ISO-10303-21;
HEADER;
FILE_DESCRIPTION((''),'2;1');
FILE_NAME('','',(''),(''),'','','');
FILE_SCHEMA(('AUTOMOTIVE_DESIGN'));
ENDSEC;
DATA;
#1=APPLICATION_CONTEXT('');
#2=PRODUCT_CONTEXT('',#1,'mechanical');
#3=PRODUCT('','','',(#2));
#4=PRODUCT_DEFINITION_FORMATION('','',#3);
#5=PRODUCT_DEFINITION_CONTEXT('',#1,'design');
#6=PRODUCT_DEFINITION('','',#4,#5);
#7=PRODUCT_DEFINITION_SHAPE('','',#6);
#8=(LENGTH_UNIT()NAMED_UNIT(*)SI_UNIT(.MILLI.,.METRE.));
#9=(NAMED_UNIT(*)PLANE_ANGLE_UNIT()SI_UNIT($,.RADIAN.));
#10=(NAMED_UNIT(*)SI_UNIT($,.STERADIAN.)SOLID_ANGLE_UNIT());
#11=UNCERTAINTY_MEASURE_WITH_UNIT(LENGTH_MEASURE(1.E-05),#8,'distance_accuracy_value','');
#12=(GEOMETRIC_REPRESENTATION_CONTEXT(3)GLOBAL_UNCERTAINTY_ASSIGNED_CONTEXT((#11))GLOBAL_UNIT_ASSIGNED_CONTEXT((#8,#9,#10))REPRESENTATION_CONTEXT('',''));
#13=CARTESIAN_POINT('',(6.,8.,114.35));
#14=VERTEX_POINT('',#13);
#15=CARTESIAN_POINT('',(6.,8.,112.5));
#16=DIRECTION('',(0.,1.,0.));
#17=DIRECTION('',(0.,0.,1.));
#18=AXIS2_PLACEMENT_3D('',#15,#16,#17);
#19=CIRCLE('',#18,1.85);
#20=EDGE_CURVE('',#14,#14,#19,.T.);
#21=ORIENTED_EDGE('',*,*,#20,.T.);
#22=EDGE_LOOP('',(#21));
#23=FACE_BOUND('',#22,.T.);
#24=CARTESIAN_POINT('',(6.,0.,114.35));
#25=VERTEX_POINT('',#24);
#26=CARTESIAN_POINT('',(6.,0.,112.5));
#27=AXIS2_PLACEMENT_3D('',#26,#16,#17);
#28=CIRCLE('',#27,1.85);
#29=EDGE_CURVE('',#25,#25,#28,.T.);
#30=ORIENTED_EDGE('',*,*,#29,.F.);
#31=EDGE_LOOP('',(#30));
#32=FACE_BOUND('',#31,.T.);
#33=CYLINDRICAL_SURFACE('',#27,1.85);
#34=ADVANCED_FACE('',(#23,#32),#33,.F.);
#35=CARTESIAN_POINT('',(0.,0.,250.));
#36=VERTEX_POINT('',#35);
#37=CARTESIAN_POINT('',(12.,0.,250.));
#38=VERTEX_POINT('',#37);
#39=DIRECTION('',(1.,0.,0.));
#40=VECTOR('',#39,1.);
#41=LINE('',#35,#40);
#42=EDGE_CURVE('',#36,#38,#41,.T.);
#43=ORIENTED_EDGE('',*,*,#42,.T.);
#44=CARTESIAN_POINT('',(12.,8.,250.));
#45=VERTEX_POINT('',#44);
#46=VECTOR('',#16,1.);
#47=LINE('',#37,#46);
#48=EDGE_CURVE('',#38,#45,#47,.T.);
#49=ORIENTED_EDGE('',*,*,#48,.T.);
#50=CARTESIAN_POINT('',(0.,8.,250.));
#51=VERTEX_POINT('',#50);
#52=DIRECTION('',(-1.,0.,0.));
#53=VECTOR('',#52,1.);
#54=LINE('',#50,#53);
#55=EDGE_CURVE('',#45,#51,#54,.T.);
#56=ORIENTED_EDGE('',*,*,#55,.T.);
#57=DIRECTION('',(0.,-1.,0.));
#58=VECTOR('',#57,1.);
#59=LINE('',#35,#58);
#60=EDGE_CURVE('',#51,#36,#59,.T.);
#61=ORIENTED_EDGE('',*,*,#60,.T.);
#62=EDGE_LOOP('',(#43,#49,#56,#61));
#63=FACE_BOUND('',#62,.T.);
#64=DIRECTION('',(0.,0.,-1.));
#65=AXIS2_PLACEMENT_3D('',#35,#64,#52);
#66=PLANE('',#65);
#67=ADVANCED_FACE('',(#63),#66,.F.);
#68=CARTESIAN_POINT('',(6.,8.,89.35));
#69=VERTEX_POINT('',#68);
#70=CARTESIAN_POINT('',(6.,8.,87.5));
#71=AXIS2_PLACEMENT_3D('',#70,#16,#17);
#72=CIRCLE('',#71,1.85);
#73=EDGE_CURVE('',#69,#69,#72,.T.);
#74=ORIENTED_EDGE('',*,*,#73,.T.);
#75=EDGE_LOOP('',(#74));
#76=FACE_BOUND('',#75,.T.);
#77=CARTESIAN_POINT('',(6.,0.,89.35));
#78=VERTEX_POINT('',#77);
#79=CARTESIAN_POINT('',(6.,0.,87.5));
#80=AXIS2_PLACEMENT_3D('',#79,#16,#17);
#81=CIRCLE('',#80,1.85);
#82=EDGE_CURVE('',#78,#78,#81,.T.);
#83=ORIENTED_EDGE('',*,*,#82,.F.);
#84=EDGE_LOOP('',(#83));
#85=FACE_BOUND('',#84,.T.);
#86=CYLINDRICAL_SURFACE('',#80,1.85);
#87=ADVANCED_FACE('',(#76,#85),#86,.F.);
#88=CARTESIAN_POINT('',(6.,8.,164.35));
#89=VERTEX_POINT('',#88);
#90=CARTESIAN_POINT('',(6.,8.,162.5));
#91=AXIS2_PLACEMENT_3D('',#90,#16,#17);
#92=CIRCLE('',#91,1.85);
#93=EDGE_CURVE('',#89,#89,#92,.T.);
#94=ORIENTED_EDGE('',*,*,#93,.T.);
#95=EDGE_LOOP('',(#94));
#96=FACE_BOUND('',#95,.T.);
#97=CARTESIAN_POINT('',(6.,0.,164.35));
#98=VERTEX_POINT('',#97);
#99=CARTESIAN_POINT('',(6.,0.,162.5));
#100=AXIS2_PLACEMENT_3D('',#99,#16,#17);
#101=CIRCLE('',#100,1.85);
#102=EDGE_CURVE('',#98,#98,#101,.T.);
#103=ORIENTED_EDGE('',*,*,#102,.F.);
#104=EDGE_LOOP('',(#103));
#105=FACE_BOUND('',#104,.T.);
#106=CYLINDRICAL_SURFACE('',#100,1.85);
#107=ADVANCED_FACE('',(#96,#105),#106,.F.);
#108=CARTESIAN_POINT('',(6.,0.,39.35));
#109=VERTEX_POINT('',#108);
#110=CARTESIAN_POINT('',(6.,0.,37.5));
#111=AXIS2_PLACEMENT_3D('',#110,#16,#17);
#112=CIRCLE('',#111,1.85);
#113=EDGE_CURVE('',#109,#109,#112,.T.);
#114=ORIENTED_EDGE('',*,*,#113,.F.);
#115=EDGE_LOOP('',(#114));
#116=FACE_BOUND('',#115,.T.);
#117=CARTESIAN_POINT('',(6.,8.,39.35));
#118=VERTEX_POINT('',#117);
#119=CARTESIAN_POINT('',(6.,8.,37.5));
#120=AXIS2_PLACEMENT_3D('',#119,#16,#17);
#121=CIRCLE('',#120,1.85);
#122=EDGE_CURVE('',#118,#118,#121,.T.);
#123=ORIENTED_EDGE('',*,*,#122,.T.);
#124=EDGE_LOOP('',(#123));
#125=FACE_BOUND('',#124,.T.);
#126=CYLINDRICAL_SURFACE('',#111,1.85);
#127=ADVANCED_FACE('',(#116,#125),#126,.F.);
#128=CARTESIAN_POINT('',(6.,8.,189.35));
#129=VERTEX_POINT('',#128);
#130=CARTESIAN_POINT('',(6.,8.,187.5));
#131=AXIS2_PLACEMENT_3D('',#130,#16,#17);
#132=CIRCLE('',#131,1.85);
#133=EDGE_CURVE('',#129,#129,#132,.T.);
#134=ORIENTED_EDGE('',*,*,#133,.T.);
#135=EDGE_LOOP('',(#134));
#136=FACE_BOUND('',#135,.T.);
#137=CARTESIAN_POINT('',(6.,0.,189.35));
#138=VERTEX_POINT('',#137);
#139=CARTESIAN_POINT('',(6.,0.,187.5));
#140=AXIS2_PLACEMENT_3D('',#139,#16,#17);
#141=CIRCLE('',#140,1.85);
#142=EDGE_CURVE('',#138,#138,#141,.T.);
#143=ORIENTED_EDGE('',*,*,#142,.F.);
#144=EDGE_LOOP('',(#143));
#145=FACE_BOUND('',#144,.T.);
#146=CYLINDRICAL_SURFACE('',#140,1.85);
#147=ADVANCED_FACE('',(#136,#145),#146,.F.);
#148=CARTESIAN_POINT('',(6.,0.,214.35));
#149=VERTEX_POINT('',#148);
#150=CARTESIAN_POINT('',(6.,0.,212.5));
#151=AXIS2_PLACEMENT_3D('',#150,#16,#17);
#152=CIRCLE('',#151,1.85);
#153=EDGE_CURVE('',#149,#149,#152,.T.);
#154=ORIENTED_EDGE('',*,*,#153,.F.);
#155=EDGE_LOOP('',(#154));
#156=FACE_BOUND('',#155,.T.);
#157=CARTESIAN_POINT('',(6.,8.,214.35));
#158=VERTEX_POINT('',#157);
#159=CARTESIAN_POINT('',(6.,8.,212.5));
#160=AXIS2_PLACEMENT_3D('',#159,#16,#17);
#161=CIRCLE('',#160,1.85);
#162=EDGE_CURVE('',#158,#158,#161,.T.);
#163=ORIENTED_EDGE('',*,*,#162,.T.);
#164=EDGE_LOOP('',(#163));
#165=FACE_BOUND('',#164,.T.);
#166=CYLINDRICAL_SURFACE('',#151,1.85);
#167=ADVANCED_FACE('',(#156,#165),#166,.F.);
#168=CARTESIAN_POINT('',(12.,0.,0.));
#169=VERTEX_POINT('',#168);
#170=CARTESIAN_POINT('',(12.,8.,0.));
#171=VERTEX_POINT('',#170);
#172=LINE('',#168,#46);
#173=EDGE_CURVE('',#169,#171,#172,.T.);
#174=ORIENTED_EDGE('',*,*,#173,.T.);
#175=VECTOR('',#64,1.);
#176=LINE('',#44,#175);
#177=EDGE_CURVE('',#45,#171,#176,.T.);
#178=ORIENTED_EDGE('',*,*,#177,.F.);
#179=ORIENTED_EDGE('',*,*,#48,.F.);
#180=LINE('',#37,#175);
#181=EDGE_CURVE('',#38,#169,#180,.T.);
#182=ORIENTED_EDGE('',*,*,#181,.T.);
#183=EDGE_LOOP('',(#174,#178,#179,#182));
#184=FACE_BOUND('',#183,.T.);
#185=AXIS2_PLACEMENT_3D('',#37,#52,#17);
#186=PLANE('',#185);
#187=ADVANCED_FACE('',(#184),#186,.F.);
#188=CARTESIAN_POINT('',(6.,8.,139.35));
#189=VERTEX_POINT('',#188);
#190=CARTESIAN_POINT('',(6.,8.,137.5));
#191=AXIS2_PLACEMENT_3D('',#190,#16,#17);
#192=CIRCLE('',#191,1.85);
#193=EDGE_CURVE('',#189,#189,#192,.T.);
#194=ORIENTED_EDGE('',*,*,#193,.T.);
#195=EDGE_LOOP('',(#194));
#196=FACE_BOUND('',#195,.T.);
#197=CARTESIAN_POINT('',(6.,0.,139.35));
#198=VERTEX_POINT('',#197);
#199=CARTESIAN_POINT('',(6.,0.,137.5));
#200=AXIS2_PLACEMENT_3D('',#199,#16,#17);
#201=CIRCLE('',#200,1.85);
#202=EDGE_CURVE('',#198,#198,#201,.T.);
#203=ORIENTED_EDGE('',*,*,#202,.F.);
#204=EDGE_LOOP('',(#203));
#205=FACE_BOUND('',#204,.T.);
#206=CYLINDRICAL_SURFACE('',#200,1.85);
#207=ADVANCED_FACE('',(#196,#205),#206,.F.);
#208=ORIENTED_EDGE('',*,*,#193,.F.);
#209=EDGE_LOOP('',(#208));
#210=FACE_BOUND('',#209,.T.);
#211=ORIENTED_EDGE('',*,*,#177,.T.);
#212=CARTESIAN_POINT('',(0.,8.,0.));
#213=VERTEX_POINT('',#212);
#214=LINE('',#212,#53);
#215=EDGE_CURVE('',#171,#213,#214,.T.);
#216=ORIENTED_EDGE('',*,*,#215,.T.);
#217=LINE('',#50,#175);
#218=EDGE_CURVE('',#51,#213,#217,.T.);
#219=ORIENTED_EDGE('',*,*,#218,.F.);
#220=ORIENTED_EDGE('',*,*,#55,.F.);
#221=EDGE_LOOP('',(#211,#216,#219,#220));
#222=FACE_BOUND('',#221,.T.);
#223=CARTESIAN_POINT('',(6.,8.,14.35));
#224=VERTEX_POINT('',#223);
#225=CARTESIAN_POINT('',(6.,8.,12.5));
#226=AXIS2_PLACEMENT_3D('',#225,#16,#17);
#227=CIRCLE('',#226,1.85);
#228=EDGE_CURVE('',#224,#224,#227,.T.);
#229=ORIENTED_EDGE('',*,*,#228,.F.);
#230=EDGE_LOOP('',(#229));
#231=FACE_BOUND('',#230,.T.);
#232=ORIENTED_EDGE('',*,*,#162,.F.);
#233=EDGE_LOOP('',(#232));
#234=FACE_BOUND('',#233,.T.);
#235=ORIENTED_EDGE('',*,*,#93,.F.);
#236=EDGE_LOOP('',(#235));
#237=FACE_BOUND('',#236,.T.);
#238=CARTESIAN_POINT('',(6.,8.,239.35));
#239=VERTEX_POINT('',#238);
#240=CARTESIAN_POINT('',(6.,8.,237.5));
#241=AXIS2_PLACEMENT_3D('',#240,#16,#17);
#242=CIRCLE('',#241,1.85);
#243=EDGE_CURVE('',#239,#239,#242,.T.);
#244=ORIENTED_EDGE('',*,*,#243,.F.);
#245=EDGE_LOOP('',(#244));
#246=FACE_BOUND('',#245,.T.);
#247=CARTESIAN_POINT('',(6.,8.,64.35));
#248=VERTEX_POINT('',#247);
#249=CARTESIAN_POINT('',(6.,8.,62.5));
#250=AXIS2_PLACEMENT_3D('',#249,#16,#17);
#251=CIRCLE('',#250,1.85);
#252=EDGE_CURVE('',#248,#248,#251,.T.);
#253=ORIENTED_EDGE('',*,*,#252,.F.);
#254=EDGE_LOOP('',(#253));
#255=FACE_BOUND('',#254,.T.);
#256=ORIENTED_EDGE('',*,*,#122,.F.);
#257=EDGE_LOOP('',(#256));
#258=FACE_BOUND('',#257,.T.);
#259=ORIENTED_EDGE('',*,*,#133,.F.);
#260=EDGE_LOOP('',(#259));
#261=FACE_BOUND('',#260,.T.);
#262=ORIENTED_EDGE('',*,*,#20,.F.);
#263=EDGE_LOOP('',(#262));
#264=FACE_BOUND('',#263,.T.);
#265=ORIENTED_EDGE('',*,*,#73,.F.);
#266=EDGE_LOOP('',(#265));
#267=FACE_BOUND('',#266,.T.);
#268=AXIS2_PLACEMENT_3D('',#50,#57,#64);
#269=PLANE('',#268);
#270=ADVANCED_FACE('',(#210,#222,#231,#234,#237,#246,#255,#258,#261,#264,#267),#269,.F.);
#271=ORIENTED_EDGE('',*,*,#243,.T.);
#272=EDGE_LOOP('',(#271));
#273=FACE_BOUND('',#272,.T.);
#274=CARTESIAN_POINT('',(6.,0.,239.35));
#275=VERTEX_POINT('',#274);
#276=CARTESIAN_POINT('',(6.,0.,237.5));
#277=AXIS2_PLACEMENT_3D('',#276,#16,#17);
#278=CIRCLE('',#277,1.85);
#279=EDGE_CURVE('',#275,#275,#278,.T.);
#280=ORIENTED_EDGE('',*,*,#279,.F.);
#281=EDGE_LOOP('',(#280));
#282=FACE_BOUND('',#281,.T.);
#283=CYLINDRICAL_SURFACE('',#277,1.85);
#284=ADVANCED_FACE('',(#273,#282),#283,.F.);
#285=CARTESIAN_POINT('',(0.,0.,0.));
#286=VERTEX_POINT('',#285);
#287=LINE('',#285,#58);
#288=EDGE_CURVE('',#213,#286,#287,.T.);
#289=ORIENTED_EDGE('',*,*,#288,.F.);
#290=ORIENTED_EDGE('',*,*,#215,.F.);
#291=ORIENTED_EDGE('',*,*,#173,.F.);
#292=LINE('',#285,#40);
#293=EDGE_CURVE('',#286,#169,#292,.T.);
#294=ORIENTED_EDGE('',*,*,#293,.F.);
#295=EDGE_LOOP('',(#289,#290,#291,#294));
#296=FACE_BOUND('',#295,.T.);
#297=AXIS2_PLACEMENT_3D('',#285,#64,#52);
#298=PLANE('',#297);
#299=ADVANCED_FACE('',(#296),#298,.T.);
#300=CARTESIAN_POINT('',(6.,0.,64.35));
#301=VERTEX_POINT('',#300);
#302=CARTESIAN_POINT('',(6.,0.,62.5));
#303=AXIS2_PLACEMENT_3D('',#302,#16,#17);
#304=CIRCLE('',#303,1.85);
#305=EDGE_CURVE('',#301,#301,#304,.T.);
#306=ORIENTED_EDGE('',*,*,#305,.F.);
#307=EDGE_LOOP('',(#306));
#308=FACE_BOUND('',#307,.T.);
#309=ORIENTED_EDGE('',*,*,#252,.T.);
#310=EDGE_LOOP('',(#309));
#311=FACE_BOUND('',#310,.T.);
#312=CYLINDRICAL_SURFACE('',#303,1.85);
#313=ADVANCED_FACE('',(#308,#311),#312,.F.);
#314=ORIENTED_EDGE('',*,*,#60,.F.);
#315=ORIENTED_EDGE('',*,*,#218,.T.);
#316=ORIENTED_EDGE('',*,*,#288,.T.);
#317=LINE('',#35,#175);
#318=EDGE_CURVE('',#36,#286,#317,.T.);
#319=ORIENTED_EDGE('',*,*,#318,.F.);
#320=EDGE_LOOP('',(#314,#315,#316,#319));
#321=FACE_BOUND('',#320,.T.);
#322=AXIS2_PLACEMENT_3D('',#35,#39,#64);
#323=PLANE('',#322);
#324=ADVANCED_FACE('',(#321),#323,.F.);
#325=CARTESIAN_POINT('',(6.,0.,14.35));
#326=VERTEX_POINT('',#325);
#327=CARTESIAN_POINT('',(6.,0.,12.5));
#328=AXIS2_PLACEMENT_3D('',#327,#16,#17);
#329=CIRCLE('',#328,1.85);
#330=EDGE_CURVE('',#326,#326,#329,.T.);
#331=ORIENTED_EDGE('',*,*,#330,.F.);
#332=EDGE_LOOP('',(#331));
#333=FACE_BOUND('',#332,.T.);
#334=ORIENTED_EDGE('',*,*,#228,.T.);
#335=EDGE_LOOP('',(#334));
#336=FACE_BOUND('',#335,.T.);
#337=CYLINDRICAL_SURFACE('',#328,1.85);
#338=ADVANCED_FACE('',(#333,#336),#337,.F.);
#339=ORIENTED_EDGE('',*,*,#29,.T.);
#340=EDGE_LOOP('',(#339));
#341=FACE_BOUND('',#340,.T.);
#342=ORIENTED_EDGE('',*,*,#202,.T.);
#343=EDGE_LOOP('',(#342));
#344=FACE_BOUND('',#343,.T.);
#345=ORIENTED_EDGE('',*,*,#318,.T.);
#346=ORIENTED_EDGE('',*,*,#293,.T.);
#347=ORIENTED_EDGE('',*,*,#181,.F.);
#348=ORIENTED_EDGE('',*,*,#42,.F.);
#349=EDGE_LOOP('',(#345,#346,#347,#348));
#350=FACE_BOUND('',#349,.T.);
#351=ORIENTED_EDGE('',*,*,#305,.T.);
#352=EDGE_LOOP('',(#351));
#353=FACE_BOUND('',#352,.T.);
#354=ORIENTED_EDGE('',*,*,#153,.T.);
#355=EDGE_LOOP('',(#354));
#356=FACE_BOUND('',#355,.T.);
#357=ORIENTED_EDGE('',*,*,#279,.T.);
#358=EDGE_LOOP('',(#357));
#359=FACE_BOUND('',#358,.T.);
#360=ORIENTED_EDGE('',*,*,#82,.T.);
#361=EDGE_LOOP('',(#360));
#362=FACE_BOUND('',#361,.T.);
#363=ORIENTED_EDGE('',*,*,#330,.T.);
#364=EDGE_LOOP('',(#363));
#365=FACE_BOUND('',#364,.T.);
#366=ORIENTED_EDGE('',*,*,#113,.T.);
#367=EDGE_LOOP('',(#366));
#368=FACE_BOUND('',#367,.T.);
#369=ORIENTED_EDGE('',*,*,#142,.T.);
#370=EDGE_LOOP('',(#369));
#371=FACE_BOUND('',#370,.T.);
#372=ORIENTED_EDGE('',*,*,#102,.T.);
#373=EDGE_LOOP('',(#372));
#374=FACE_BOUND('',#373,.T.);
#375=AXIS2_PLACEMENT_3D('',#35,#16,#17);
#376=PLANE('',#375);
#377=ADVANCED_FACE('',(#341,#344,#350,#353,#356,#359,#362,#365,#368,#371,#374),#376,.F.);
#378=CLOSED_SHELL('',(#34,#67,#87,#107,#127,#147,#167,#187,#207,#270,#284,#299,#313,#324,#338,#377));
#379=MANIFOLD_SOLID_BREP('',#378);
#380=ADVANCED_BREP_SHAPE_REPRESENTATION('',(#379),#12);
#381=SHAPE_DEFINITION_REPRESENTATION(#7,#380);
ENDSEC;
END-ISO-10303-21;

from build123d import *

# Parameters (mm, degrees)
SKETCH3_W           = 12
SKETCH3_H           = 8
BOSS_EXTRUDE1_DEPTH = 250
SKETCH4_R           = 1.85
CUT_EXTRUDE1_DEPTH  = 8
LPATTERN1_COUNT     = 10
LPATTERN1_PITCH     = 25


with BuildPart() as part:
    # Sketch3 → Boss-Extrude1 (new body)
    with BuildSketch(Plane.XY):
        with Locations((6, 4)):
            Rectangle(SKETCH3_W, SKETCH3_H)
    extrude(amount=BOSS_EXTRUDE1_DEPTH)

    # Sketch4 → Cut-Extrude1 (cut)
    with BuildSketch(Plane(origin=(0, 8, 0), x_dir=(1, 0, 0), z_dir=(0, 1, 0))):
        with Locations((6, -237.5)):
            Circle(SKETCH4_R)
    cut_extrude1 = extrude(amount=-CUT_EXTRUDE1_DEPTH, mode=Mode.SUBTRACT)

    # LPattern1: Cut-Extrude1 ×10
    with Locations(*[(0, 0, -i * LPATTERN1_PITCH) for i in range(1, LPATTERN1_COUNT)]):
        add(cut_extrude1, mode=Mode.SUBTRACT)


solid = part.part
